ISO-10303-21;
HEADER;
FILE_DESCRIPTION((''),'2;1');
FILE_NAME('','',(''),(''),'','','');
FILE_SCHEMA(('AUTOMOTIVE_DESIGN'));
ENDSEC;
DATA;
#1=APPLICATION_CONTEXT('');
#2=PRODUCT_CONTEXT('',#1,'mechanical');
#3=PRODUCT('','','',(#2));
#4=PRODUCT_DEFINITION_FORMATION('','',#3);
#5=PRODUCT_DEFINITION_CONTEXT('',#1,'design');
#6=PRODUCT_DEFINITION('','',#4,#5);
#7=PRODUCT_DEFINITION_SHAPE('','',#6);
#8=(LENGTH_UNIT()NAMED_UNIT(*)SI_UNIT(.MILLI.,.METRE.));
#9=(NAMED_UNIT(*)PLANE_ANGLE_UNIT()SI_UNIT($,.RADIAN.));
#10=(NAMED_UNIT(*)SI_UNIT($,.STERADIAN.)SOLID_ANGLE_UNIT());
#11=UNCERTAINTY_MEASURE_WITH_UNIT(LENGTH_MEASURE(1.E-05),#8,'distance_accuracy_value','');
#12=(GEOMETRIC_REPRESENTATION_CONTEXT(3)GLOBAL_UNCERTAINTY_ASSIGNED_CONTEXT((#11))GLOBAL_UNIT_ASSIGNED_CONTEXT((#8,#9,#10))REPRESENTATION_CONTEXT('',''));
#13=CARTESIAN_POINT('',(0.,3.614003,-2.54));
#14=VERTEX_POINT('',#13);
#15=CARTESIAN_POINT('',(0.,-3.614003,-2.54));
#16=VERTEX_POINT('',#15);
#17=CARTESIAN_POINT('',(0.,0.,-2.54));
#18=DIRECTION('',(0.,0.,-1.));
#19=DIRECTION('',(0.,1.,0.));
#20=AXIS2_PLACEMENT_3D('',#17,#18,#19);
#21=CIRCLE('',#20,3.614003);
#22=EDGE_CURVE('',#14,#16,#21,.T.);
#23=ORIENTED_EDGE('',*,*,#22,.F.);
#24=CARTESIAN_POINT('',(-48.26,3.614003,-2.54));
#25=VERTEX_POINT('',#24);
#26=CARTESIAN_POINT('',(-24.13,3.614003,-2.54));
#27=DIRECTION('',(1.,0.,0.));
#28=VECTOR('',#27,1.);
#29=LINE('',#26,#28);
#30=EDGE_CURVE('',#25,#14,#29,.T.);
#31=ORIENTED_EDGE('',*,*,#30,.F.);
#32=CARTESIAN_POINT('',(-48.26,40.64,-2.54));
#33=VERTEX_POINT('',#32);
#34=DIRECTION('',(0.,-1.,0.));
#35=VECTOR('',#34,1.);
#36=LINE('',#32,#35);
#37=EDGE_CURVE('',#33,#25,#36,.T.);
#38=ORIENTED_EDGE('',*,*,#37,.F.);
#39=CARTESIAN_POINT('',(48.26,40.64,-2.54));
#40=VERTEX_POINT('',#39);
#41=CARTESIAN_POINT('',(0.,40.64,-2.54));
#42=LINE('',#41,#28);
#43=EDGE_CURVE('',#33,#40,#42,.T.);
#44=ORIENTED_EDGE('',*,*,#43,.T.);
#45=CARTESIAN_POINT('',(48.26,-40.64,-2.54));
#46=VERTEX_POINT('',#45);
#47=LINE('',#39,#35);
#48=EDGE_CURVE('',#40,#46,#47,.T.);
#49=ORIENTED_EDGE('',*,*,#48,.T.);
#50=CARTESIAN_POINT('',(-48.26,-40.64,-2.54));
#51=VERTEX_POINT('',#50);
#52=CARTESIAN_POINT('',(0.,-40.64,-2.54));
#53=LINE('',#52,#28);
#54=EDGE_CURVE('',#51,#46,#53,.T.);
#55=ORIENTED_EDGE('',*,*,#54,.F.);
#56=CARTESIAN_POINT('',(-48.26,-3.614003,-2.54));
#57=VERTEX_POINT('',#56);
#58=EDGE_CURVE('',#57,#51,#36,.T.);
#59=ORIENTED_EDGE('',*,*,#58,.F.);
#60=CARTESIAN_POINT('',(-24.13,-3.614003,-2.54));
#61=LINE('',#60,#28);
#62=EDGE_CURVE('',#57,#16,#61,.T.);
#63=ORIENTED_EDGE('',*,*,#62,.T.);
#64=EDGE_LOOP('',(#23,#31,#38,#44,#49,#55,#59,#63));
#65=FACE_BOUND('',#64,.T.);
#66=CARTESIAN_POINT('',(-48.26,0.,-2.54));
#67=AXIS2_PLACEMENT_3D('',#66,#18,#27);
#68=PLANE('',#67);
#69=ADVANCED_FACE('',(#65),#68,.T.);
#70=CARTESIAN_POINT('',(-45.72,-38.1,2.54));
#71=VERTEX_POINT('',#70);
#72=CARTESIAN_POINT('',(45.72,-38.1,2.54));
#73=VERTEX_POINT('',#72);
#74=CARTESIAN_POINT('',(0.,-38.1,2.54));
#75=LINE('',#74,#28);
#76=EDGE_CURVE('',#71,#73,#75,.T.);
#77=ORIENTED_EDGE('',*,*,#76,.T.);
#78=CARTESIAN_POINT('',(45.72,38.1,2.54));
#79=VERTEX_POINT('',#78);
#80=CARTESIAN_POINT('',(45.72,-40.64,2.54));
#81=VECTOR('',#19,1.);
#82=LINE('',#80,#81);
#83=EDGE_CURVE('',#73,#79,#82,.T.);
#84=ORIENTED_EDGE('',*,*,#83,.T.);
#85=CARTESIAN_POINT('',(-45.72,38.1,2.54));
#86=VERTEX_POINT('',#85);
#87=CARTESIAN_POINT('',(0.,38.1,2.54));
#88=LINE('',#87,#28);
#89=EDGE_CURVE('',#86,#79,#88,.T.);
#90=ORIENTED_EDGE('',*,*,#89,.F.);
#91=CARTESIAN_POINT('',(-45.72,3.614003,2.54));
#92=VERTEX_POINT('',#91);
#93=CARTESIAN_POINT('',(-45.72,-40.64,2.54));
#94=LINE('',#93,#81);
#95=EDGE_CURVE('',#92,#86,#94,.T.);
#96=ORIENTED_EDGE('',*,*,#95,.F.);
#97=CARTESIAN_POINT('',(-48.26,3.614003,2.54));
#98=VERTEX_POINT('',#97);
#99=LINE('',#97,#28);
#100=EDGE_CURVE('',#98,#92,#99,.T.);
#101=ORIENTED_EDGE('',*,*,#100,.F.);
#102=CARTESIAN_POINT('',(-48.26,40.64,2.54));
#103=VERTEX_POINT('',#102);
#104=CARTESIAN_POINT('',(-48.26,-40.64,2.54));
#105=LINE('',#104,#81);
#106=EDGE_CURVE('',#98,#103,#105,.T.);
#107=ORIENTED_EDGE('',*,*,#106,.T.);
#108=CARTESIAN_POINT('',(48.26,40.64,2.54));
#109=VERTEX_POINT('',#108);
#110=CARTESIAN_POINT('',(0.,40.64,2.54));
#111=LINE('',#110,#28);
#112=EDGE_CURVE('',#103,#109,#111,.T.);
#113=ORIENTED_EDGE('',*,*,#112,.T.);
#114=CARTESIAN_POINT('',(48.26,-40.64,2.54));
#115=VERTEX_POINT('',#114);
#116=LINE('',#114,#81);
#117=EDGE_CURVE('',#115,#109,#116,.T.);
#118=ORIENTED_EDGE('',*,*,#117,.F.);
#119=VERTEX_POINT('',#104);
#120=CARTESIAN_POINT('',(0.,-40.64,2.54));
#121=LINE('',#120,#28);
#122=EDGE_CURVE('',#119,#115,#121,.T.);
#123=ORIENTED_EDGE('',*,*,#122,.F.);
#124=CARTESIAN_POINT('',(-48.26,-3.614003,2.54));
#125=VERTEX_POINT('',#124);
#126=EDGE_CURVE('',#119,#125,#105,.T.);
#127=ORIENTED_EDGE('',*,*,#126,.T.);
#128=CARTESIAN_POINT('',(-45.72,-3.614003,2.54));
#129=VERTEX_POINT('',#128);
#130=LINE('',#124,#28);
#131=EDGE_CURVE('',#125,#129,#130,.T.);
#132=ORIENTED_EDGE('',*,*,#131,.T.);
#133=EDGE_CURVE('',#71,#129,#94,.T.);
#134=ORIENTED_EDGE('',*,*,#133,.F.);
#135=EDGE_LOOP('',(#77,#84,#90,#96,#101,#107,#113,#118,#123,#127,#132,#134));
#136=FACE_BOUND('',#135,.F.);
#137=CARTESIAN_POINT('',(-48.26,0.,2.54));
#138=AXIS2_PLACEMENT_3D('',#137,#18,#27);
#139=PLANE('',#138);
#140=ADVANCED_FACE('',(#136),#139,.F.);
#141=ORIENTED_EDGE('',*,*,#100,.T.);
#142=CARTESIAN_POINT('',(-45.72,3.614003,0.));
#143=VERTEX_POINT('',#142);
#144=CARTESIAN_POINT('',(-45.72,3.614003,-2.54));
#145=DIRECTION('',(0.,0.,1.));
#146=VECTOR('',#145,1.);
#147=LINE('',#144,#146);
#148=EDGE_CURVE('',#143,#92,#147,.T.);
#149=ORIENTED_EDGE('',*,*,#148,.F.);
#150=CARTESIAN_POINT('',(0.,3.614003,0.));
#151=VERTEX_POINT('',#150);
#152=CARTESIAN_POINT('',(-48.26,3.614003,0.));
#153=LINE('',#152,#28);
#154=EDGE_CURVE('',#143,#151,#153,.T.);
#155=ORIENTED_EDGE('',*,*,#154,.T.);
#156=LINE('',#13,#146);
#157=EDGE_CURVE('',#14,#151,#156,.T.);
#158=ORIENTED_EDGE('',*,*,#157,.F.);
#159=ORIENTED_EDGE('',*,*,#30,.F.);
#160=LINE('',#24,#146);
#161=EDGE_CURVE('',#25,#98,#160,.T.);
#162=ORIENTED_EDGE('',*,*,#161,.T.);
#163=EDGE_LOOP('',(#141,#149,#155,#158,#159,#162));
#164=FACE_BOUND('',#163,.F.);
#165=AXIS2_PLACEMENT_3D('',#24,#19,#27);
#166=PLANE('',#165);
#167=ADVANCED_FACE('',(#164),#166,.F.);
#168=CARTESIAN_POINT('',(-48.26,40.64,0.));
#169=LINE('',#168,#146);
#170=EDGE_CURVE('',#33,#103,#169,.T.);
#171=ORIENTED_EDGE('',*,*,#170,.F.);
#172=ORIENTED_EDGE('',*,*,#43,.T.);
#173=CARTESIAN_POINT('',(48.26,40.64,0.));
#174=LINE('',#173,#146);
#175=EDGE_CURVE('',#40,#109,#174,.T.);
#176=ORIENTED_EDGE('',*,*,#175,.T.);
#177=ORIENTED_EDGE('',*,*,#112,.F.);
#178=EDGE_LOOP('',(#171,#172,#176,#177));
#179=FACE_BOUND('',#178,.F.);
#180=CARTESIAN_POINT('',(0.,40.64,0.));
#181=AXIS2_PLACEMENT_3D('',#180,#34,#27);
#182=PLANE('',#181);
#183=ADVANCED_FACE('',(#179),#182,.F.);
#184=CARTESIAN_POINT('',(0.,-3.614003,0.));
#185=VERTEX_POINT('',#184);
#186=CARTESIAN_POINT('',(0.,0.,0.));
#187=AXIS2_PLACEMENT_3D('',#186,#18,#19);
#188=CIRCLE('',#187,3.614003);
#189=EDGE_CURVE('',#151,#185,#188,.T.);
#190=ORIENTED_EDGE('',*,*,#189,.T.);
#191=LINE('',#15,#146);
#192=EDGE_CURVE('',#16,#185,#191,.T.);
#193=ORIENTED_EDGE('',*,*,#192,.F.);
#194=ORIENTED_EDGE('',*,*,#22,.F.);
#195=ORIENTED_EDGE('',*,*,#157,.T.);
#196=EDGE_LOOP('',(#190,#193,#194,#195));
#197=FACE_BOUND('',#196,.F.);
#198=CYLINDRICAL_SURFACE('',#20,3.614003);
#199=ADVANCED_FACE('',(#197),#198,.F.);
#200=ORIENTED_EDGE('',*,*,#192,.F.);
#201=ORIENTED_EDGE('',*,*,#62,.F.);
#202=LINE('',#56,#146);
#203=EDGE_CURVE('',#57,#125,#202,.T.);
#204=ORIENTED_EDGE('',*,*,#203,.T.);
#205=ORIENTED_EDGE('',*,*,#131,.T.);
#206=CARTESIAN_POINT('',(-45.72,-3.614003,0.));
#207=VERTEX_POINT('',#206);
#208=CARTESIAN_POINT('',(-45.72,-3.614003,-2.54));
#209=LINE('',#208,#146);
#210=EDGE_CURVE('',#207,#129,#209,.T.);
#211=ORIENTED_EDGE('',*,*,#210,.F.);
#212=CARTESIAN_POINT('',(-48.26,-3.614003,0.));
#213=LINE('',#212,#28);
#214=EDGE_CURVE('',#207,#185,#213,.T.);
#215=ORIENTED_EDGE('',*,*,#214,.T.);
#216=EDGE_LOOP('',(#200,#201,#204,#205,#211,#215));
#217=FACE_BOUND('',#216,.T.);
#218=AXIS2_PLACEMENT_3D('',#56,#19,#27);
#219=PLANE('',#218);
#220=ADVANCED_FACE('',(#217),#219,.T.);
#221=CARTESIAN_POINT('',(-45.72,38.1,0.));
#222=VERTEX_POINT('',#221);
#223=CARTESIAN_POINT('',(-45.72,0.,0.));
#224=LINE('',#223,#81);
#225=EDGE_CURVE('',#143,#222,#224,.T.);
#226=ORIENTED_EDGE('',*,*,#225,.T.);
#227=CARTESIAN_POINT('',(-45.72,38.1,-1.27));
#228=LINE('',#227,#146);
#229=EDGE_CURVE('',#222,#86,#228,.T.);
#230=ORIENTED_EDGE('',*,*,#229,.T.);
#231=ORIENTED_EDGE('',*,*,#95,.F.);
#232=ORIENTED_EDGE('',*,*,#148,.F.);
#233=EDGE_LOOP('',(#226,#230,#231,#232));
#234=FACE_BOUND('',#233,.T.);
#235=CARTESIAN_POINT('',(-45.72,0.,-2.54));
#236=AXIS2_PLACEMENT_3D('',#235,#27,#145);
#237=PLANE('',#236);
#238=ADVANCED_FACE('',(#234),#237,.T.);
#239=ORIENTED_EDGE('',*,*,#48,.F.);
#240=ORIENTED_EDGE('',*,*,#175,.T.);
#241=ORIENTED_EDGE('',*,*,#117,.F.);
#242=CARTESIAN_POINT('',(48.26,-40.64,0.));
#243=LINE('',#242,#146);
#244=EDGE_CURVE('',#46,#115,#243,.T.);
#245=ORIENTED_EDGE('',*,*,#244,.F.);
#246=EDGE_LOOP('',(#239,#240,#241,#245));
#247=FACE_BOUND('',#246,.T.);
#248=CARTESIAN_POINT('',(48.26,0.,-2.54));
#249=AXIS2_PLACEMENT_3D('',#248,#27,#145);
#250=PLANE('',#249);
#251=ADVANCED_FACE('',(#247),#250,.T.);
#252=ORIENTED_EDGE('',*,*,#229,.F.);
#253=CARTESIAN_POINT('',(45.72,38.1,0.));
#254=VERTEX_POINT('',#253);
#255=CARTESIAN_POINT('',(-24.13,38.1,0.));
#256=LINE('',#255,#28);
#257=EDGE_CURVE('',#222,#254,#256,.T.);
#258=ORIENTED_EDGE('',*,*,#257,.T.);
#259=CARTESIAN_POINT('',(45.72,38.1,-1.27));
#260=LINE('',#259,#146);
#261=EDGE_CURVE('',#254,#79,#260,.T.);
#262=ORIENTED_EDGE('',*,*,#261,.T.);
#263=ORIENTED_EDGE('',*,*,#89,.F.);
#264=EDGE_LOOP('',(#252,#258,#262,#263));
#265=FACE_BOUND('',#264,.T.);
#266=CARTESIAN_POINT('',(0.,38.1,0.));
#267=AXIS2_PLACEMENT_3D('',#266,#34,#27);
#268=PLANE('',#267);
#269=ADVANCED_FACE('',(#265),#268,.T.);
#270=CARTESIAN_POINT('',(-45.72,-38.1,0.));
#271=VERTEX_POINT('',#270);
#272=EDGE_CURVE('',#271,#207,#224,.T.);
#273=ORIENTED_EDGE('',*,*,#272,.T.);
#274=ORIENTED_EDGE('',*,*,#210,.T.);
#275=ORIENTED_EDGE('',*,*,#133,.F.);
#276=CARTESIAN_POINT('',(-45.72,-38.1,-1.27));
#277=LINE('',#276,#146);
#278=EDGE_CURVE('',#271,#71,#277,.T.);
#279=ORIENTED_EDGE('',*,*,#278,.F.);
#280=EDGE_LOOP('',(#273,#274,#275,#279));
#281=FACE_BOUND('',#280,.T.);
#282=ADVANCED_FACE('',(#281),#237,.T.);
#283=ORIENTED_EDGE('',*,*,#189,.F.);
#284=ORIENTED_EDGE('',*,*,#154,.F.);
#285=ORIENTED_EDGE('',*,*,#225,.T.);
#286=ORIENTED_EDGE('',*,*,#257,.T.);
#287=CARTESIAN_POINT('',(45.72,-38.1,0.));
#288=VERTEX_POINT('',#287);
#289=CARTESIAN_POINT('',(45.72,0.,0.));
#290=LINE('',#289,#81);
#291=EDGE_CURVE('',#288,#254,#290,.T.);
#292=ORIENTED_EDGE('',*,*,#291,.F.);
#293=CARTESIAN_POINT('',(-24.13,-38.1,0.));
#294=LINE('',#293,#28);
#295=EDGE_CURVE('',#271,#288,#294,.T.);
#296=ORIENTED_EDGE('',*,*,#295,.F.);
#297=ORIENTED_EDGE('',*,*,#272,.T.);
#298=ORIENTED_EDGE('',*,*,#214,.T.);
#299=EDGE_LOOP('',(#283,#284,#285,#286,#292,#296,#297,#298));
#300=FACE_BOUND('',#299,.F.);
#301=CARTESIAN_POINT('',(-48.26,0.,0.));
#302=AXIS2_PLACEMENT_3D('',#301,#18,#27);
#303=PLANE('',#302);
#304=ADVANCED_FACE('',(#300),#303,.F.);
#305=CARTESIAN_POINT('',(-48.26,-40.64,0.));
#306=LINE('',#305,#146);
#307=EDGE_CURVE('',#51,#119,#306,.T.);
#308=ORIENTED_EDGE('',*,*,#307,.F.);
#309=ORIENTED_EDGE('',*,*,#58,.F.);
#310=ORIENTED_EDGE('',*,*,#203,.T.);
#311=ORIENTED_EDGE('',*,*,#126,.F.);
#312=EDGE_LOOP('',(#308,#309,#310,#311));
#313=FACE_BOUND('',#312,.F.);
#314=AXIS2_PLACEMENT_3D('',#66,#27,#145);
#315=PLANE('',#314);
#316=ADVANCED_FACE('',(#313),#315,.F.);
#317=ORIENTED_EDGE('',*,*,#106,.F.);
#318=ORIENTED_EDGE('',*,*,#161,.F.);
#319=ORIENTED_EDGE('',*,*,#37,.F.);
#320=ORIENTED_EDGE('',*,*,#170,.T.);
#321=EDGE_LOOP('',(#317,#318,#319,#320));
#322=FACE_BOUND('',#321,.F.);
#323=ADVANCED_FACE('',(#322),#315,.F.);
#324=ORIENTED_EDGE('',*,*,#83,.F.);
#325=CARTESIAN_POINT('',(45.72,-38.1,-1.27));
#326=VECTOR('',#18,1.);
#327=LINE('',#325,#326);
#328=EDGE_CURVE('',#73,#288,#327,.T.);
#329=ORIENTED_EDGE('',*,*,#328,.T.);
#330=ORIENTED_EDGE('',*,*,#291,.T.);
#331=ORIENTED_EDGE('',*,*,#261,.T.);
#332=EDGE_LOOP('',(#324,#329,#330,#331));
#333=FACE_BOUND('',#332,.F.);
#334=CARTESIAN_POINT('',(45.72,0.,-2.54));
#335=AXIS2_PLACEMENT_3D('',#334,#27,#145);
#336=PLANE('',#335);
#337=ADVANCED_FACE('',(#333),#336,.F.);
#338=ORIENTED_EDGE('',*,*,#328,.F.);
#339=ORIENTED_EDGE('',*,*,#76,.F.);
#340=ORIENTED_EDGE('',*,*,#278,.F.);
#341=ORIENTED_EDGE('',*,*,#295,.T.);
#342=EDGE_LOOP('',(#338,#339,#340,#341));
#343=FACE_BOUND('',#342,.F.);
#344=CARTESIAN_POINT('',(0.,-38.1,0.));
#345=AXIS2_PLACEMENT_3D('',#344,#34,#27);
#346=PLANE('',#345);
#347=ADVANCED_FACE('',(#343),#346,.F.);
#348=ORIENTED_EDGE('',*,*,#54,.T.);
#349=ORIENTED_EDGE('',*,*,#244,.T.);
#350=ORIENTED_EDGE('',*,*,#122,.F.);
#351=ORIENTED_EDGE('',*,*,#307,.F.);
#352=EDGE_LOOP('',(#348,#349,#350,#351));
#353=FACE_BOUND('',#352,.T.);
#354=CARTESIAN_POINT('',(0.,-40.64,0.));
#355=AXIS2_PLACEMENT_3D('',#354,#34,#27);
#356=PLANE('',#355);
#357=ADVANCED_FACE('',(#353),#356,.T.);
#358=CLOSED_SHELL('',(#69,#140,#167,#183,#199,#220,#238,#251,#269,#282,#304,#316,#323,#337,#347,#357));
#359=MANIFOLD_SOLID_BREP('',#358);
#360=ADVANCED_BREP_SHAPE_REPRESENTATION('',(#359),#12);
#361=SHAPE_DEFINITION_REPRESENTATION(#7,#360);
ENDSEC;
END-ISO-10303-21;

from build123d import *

# Parameters (mm, degrees)
F0_W     = 96.52
F0_H     = 5.08
F1_DEPTH = 40.64
F2_T     = -2.54
F3_W     = 48.26
F3_H     = 7.2280052118
F4_DEPTH = 5.081


with BuildPart() as f1:
    # F0 (on Front) → F1 (new body, symmetric)
    with BuildSketch(Plane.XZ):
        Rectangle(F0_W, F0_H)
    extrude(amount=F1_DEPTH, both=True)

    # F2
    f2_openings = [f1.faces().sort_by_distance(p)[0] for p in [
        (0, 0, 2.54),
    ]]
    offset(amount=F2_T, openings=f2_openings)

    # F3 (on face) → F4 (cut, through all)
    with BuildSketch(Plane(origin=(0, 0, -2.54), x_dir=(1, 0, 0), z_dir=(0, 0, -1))):
        with BuildLine():
            ThreePointArc((0, -3.6140026059), (3.6140026059, 0), (0, 3.6140026059))
            Line((0, 3.6140026059), (0, -3.6140026059))
        make_face()
        with Locations((-24.13, 0)):
            Rectangle(F3_W, F3_H)
    extrude(amount=-F4_DEPTH, mode=Mode.SUBTRACT)


solid = f1.part
